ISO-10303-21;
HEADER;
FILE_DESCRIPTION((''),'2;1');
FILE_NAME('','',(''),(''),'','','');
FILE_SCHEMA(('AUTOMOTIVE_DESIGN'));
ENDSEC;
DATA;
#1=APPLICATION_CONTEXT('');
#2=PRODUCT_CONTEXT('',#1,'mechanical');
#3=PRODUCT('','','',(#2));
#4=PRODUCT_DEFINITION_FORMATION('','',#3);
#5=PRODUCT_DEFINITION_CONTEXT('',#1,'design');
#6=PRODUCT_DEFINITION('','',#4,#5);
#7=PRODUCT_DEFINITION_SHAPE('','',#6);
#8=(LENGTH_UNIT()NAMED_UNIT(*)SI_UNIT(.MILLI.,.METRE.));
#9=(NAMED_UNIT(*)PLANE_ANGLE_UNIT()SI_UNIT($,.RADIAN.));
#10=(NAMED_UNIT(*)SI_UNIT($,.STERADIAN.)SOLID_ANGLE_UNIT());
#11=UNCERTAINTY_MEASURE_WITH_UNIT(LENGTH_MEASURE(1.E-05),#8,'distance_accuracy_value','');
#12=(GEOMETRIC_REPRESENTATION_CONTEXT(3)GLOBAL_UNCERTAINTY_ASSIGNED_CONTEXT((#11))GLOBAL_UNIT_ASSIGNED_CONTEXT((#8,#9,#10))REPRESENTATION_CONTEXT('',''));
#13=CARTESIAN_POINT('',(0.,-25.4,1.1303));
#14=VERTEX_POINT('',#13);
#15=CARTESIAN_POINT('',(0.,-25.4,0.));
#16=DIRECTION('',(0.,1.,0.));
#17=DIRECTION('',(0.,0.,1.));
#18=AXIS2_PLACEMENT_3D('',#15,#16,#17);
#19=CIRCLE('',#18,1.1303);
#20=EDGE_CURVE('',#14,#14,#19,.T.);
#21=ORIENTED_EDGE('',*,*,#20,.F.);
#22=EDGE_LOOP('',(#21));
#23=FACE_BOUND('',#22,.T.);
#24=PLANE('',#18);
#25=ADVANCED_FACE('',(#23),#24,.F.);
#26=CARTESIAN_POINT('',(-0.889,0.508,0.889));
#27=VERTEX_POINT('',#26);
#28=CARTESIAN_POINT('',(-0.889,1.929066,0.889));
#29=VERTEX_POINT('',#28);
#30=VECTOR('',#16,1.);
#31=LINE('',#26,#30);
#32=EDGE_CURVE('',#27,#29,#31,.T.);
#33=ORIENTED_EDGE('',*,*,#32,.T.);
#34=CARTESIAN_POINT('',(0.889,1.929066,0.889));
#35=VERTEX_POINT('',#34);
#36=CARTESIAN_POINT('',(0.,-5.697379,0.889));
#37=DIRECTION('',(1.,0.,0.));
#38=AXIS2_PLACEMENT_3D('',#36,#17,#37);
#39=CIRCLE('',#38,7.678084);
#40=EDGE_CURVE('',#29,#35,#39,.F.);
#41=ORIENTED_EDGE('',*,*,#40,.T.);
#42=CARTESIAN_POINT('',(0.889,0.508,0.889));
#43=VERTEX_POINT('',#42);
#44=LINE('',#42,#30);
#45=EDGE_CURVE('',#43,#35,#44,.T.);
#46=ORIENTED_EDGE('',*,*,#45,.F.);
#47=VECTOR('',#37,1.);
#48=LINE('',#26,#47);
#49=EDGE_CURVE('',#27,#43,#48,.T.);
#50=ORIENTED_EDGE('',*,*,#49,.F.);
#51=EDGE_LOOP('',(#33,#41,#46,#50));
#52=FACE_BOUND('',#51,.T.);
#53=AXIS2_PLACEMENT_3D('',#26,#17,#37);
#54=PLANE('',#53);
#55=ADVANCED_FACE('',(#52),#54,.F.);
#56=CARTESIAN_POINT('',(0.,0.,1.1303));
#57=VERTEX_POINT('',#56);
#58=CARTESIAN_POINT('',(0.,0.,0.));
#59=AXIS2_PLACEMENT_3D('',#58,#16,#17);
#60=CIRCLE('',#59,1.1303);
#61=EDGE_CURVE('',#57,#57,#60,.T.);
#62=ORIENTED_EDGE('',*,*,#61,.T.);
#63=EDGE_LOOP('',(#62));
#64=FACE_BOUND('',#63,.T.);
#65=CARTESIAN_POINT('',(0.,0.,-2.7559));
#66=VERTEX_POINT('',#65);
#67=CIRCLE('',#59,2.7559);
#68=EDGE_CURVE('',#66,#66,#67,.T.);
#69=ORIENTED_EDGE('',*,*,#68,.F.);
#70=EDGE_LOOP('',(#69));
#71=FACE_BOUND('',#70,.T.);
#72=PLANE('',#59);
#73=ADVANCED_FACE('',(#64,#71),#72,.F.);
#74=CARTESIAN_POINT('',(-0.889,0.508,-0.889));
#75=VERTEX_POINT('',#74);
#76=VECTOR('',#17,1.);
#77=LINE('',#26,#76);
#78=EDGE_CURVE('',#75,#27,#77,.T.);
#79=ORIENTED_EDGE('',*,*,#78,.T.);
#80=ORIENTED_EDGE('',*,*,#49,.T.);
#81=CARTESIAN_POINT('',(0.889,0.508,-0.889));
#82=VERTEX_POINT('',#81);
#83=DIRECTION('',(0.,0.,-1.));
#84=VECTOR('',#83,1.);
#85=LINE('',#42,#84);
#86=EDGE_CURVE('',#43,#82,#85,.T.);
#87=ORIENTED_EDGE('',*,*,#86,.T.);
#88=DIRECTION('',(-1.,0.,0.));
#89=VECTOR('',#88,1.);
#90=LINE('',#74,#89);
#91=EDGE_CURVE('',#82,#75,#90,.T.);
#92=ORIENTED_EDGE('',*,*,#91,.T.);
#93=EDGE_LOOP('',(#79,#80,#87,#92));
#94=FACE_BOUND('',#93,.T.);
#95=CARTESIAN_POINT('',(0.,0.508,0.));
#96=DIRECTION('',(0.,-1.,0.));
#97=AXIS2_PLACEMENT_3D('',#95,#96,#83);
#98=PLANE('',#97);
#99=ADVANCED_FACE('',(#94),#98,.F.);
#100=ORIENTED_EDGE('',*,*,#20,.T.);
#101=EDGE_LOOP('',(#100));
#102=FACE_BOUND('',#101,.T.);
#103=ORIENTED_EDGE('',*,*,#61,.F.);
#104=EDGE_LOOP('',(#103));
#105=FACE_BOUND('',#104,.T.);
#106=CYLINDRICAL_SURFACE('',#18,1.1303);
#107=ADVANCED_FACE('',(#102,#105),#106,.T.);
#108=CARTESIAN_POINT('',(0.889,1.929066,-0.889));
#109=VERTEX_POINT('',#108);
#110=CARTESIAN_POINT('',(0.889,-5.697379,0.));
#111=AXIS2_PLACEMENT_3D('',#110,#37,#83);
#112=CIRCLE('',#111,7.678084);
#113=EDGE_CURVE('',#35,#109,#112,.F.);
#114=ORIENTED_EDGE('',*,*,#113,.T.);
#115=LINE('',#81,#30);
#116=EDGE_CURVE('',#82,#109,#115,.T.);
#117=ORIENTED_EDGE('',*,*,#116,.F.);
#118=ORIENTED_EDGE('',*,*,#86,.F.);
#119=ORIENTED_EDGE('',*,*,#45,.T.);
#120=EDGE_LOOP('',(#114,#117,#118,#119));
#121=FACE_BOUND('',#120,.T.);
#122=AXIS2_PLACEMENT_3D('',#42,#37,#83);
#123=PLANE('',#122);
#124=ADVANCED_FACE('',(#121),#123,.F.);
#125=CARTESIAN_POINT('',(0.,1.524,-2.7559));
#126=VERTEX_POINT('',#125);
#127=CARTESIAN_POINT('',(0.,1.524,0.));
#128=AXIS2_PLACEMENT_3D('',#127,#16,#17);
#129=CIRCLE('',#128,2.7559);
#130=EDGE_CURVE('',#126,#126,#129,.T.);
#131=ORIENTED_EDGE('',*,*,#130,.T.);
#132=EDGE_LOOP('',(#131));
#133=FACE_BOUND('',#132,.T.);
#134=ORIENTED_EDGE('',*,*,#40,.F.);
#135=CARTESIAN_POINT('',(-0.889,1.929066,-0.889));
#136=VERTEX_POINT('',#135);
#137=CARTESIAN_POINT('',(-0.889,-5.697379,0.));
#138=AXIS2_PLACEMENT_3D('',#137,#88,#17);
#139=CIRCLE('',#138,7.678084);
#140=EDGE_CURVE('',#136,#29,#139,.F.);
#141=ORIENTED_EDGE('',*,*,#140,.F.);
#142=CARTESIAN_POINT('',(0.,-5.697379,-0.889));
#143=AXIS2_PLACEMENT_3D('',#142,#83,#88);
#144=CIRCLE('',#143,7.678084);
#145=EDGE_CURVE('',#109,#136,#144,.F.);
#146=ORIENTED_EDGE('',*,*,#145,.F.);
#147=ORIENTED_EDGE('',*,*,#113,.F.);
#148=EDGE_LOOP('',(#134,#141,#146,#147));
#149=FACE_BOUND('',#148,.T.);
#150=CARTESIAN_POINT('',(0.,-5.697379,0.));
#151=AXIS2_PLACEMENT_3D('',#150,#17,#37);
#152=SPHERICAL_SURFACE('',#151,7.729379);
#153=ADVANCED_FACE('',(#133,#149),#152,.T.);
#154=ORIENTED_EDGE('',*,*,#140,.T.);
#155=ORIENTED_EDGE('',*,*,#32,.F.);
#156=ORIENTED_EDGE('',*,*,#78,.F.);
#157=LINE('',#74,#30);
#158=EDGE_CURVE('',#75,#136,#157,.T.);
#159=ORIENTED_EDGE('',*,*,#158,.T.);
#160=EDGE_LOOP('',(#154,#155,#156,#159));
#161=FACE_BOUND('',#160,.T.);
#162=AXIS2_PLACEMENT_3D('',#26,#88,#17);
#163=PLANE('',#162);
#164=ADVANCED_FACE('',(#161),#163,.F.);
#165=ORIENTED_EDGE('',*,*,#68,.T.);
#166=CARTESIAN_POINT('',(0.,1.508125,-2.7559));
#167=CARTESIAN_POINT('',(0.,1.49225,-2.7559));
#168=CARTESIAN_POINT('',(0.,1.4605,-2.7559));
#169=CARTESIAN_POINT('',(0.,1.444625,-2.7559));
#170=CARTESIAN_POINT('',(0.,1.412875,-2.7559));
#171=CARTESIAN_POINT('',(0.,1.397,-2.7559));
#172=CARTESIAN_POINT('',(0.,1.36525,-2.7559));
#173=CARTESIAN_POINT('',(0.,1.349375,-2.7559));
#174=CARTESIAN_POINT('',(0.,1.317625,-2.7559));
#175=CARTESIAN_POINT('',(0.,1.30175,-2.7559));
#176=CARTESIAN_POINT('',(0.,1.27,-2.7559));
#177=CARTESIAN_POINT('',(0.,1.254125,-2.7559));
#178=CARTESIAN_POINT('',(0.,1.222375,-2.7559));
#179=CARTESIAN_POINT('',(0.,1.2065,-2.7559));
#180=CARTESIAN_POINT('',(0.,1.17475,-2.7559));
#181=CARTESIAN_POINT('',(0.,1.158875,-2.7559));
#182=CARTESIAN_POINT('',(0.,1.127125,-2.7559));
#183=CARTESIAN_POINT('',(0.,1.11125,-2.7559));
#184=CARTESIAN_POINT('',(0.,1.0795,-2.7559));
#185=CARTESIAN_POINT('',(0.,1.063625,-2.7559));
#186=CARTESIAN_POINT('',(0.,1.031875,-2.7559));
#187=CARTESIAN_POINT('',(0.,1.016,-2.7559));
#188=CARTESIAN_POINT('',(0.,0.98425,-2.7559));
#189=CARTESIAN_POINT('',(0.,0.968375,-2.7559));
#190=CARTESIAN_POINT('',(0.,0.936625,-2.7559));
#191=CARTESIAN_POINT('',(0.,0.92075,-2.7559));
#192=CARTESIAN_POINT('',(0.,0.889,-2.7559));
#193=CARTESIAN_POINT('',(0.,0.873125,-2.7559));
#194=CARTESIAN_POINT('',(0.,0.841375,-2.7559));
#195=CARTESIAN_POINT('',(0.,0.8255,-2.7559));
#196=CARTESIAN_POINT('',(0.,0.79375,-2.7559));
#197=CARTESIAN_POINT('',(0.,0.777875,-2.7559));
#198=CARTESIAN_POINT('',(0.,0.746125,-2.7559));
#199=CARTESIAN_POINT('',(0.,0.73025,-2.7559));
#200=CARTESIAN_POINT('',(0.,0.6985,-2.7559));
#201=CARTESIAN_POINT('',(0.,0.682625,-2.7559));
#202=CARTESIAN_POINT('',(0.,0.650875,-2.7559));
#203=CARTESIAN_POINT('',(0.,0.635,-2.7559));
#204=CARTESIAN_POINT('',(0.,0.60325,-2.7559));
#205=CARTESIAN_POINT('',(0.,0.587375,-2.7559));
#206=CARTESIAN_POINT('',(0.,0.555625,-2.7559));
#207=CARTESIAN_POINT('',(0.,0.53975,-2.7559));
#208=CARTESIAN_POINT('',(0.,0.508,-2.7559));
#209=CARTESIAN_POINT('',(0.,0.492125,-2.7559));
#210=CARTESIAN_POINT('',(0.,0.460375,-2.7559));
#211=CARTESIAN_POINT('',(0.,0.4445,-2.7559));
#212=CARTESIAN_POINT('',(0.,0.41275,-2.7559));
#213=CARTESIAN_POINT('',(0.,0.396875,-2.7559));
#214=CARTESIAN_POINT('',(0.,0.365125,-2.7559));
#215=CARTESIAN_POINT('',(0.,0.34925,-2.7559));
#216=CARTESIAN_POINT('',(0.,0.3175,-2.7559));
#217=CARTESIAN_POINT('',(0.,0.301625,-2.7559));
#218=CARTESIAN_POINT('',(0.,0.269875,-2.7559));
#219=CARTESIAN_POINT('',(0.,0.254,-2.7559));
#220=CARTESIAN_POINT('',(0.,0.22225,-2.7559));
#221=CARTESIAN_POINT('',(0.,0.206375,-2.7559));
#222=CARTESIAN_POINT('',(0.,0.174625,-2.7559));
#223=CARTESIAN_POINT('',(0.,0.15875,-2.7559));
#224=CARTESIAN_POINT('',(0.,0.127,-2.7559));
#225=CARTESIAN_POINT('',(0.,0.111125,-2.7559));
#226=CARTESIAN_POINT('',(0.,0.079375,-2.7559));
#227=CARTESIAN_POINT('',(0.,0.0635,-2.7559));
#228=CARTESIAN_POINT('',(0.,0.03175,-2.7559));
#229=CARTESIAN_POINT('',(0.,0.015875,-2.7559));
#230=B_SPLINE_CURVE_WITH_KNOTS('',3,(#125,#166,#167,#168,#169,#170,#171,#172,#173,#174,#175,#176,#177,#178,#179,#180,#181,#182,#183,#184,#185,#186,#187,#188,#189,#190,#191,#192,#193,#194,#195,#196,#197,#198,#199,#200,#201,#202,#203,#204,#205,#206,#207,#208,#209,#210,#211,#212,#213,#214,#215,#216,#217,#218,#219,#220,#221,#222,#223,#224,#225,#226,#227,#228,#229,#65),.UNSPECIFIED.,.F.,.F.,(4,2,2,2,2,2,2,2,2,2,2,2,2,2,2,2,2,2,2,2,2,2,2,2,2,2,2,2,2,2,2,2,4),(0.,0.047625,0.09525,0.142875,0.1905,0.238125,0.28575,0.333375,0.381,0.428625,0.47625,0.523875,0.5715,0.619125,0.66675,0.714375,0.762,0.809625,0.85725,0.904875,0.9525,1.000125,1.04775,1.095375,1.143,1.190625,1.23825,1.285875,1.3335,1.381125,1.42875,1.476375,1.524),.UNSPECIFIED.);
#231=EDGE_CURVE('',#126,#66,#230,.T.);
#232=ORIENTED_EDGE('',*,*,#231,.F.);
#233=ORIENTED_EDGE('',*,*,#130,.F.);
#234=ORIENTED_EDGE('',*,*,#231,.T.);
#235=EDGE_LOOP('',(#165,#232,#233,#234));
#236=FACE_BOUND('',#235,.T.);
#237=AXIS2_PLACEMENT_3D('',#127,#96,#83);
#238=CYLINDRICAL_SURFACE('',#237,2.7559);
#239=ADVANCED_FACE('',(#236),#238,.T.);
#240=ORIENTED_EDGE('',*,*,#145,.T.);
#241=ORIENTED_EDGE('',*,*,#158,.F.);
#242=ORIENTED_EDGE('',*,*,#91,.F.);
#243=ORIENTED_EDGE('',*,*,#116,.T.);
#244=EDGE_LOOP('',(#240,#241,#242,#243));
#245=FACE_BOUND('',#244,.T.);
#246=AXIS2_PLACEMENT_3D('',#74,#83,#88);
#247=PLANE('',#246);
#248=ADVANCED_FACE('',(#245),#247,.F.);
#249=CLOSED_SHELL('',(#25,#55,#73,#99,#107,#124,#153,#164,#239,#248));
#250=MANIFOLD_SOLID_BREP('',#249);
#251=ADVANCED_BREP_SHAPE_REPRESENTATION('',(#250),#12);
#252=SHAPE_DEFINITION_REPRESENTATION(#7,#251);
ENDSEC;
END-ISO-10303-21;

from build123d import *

# Parameters (mm, degrees)
SKETCH1_R            = 1.1303
THREADS_DEPTH        = 25.4
SKETCH2_R            = 2.7559
HEAD_DEPTH           = 1.524
HEADDOME_FACE_RADIUS = 2.7559
HEADDOME_HEIGHT      = 0.508
SKETCH3_W            = 1.778
SKETCH3_H            = 1.778
DRIVER_DEPTH         = 1.524


with BuildPart() as part:
    # Sketch1 → threads (new body)
    with BuildSketch(Plane(origin=(0, 0, 0), x_dir=(1, 0, 0), z_dir=(0, 1, 0))):
        with Locations(Location((0, 0, 0), (0, 0, 270))):
            Circle(SKETCH1_R)
    extrude(amount=-THREADS_DEPTH)

    # Sketch2 → Head (add)
    with BuildSketch(Plane(origin=(0, 0, 0), x_dir=(1, 0, 0), z_dir=(0, 1, 0))):
        with Locations(Location((0, 0, 0), (0, 0, 90))):
            Circle(SKETCH2_R)
    extrude(amount=HEAD_DEPTH)

    # HeadDome: a dome of height H over a round flat face of radius A is a cap of a sphere of radius (A * A + H * H) / (2 * H)
    headdome_r = (HEADDOME_FACE_RADIUS * HEADDOME_FACE_RADIUS + HEADDOME_HEIGHT * HEADDOME_HEIGHT) / (2 * HEADDOME_HEIGHT)
    headdome_base = Plane((0, 1.524, 0), z_dir=(0, 1, 0))
    with Locations(headdome_base.offset(HEADDOME_HEIGHT - headdome_r)):
        headdome_ball = Sphere(headdome_r, mode=Mode.PRIVATE)
    add(split(headdome_ball, bisect_by=headdome_base, keep=Keep.TOP, mode=Mode.PRIVATE))

    # Sketch3 → Driver (cut)
    with BuildSketch(Plane(origin=(0, 2.032, 0), x_dir=(1, 0, 0), z_dir=(0, 1, 0))):
        Rectangle(SKETCH3_W, SKETCH3_H)
    extrude(amount=-DRIVER_DEPTH, mode=Mode.SUBTRACT)


solid = part.part
